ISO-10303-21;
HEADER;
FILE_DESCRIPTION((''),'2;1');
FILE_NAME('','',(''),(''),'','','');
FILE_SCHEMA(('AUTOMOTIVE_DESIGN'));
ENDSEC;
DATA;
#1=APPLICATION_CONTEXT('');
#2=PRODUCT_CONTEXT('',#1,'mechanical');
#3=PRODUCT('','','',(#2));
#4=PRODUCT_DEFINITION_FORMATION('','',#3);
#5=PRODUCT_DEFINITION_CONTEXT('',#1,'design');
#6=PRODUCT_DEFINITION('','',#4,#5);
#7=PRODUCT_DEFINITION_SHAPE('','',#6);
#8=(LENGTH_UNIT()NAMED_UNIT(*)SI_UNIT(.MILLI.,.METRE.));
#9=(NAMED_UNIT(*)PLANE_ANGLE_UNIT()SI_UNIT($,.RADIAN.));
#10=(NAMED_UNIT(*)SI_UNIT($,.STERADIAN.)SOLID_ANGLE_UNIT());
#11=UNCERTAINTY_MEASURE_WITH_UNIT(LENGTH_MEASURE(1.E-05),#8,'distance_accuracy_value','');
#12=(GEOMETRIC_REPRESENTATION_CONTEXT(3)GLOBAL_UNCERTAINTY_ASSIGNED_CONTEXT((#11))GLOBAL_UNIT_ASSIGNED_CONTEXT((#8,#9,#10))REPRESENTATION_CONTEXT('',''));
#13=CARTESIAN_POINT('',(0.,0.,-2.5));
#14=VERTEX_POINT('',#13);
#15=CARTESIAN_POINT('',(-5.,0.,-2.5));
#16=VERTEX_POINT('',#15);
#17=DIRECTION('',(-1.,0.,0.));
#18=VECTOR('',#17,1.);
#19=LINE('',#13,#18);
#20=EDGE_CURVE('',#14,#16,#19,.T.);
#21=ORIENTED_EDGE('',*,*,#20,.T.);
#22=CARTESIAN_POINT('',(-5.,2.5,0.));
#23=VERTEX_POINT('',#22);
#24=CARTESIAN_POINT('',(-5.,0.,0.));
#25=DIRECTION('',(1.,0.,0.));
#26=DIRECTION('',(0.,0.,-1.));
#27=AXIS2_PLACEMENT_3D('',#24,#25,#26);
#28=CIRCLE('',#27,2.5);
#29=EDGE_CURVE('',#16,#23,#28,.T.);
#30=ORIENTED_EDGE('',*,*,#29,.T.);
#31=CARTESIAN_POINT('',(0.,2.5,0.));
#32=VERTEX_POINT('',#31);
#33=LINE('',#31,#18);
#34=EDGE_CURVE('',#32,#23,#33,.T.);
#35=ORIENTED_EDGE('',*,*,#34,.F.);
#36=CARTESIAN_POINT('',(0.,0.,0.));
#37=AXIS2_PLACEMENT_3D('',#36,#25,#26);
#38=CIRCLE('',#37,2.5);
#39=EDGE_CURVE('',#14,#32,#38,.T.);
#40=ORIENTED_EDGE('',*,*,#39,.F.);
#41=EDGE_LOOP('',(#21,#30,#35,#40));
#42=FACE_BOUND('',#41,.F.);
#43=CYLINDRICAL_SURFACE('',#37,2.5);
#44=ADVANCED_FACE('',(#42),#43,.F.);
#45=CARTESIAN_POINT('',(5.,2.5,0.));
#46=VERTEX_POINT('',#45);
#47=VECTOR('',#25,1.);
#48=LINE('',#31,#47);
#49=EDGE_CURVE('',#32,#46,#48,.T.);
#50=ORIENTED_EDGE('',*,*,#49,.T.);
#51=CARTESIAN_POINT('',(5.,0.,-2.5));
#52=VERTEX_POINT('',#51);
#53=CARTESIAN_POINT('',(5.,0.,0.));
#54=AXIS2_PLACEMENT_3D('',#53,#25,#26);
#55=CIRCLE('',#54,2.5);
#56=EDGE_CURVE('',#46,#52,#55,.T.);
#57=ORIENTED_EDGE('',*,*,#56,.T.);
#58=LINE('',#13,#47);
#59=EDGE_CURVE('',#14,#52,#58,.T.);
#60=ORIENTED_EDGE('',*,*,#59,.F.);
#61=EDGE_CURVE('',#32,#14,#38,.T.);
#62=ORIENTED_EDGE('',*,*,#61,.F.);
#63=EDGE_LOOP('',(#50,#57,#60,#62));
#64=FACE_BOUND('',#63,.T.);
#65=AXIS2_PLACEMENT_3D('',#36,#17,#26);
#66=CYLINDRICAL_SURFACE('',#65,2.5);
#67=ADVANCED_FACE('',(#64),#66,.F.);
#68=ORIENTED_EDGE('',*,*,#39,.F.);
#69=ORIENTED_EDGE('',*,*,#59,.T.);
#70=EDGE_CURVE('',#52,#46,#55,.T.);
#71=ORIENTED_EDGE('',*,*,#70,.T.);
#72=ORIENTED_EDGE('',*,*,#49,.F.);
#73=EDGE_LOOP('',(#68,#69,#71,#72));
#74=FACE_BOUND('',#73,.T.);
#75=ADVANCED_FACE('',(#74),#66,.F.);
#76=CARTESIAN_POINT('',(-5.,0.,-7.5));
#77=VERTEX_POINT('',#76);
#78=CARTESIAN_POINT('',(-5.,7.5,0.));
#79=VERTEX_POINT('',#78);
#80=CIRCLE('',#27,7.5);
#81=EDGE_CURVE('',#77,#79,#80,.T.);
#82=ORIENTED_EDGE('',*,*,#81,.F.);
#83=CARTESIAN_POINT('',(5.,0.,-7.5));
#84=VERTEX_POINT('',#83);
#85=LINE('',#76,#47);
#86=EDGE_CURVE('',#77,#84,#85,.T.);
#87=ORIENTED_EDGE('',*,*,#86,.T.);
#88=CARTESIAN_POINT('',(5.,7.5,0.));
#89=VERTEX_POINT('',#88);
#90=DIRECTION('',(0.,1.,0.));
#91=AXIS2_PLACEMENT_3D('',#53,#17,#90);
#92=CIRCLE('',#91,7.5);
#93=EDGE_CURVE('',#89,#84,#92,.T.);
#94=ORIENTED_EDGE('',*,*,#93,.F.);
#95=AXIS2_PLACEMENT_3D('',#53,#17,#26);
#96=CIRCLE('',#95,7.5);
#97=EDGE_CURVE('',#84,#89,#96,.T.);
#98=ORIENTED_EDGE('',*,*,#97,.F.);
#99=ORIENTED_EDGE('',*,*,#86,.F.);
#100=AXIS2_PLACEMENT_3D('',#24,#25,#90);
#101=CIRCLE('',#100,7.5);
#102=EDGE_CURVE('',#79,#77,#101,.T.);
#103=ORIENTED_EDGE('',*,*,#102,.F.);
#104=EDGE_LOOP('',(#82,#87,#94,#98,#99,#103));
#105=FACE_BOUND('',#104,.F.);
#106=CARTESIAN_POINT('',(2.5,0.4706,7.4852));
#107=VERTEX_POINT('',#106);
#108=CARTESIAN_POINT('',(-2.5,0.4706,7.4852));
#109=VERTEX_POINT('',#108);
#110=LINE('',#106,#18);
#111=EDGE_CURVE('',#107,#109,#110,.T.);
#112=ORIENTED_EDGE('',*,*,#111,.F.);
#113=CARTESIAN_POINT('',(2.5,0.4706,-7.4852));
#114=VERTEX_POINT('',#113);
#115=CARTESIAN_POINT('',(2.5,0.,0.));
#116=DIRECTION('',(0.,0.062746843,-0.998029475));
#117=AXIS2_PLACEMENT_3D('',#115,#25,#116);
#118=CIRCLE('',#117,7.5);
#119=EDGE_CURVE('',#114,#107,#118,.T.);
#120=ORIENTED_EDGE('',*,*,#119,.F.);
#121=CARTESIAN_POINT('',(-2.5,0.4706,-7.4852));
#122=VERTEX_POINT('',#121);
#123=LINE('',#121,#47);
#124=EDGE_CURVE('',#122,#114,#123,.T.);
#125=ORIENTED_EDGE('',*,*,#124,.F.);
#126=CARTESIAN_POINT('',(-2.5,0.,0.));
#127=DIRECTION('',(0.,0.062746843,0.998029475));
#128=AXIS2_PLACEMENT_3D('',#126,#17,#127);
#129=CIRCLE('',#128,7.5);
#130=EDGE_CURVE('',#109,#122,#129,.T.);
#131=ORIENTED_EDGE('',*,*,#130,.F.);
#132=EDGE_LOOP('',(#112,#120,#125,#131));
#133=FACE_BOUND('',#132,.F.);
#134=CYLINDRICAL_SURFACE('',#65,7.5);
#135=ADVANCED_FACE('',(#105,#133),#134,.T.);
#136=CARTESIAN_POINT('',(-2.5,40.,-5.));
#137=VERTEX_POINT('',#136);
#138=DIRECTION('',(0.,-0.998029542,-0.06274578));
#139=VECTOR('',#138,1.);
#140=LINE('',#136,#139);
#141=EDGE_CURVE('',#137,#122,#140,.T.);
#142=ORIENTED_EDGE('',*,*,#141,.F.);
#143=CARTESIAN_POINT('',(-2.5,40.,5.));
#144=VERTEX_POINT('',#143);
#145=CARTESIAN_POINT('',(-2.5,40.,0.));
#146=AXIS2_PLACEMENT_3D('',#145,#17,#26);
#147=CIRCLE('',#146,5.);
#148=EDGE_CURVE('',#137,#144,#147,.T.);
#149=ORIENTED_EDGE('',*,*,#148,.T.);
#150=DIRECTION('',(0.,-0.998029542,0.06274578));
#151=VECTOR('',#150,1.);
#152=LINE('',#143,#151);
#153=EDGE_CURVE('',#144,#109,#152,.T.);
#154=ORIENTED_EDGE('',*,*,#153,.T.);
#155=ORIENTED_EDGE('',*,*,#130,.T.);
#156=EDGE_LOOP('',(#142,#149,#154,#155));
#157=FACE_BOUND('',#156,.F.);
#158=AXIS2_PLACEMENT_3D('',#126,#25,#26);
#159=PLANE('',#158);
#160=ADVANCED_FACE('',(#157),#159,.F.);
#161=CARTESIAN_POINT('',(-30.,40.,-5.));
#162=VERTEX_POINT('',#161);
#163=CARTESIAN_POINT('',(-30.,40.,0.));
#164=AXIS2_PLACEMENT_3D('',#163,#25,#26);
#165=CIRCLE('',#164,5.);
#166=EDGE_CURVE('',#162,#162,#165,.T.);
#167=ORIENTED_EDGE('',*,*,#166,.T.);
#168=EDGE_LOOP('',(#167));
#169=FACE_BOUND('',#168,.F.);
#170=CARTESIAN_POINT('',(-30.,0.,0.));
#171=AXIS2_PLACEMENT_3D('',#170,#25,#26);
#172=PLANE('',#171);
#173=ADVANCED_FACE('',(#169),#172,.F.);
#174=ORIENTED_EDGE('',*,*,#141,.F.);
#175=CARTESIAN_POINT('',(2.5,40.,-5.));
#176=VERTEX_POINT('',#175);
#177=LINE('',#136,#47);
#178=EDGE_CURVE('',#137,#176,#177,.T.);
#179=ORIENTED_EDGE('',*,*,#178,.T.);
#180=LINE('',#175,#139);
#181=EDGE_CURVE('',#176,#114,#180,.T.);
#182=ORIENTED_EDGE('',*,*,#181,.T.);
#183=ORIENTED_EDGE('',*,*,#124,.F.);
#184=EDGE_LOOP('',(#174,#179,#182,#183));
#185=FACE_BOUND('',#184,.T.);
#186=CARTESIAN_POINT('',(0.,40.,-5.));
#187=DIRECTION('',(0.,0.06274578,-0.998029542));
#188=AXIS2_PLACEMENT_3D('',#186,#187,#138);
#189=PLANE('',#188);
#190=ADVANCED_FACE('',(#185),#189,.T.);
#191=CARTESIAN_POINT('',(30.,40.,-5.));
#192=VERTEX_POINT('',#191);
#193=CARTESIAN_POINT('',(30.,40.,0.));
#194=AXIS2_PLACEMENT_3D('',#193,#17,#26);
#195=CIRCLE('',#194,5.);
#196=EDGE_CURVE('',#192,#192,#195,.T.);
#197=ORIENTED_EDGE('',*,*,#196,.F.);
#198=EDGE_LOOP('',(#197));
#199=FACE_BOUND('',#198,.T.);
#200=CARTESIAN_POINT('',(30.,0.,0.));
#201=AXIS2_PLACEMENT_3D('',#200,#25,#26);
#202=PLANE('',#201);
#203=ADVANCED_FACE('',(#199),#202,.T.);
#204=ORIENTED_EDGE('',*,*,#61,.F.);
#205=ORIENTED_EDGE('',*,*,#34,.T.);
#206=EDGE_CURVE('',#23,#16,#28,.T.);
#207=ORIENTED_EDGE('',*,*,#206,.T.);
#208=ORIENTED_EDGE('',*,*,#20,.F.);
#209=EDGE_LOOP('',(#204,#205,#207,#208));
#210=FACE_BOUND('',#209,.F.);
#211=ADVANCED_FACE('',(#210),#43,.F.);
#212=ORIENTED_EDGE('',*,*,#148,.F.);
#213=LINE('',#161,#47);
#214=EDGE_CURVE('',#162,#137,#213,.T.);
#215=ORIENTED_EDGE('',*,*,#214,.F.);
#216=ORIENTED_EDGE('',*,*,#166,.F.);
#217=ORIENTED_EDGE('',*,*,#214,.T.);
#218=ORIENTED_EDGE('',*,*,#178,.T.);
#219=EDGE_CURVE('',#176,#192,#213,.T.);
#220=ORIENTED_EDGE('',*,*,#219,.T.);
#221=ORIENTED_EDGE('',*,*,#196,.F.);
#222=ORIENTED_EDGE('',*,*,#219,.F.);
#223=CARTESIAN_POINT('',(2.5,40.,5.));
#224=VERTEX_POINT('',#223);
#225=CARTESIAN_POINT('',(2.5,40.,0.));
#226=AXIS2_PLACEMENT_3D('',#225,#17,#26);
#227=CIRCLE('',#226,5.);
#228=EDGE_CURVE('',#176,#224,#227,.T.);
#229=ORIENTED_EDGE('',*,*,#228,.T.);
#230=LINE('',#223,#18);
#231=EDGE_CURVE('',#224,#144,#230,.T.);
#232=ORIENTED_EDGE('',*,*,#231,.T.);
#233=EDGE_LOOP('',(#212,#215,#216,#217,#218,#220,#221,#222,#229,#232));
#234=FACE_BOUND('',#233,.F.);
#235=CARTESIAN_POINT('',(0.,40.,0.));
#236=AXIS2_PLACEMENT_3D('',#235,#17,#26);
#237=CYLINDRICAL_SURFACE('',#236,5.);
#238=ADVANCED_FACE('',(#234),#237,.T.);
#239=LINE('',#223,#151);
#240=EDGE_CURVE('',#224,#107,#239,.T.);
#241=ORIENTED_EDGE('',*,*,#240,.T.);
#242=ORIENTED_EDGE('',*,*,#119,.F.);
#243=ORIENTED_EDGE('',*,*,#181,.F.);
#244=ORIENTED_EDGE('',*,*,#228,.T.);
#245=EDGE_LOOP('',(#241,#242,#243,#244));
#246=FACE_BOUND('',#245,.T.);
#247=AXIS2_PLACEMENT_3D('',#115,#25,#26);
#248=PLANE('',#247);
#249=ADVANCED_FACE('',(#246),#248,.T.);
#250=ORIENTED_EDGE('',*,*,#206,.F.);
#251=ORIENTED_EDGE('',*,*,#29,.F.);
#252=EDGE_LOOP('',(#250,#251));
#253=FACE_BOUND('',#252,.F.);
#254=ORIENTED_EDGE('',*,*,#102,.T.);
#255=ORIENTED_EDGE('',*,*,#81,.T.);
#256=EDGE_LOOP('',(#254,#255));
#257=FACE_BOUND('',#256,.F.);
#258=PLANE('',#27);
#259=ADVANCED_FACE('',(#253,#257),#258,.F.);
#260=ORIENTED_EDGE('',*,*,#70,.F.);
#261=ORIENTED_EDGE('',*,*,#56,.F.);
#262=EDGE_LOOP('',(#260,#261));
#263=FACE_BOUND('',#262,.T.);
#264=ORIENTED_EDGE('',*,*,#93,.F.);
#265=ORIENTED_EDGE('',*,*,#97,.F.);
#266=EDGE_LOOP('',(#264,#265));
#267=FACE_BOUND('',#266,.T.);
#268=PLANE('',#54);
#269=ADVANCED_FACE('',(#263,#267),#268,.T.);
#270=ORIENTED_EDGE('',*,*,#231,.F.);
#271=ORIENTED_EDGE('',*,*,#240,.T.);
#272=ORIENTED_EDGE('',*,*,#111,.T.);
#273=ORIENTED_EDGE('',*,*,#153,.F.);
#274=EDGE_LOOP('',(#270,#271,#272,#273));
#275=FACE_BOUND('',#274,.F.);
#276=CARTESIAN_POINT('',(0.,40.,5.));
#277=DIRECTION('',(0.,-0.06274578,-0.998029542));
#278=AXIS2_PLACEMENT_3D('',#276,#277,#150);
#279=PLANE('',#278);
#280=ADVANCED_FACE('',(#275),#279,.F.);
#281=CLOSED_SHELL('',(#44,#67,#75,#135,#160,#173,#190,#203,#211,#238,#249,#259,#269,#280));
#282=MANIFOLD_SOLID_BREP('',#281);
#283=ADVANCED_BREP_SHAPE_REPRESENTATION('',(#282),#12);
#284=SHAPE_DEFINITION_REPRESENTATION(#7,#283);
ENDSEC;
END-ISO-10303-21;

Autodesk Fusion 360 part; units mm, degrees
sketch "Sketch1" plane through (0, 0, 0) normal (1, 0, 0) x (0, 0, -1)
  circle A0 centre (0, 0) radius 2.5
  circle A1 centre (0, 0) radius 7.5
  line L0 (0, 0) -> (0, 40)
  circle A2 centre (0, 40) radius 5
  line L1 (-5, 40) -> (-7.4852, 0.4706)
  line L2 (5, 40) -> (7.4852, 0.4706)
  dimension "d1" = 5
  dimension "d2" = 5
  dimension "d3" = 40
  dimension "d4" = 10
  dimension "d5" = 39.5294
  dimension "d6" = 39.5294
extrude "Extrude1" add sketch "Sketch1" along normal mid plane 10 contours A1
extrude "Extrude2" add sketch "Sketch1" along normal mid plane 5 contours A1 L0 A2 L1 | A1 L0 A2 L2
extrude "Extrude3" add sketch "Sketch1" along normal mid plane 60 contours A2
